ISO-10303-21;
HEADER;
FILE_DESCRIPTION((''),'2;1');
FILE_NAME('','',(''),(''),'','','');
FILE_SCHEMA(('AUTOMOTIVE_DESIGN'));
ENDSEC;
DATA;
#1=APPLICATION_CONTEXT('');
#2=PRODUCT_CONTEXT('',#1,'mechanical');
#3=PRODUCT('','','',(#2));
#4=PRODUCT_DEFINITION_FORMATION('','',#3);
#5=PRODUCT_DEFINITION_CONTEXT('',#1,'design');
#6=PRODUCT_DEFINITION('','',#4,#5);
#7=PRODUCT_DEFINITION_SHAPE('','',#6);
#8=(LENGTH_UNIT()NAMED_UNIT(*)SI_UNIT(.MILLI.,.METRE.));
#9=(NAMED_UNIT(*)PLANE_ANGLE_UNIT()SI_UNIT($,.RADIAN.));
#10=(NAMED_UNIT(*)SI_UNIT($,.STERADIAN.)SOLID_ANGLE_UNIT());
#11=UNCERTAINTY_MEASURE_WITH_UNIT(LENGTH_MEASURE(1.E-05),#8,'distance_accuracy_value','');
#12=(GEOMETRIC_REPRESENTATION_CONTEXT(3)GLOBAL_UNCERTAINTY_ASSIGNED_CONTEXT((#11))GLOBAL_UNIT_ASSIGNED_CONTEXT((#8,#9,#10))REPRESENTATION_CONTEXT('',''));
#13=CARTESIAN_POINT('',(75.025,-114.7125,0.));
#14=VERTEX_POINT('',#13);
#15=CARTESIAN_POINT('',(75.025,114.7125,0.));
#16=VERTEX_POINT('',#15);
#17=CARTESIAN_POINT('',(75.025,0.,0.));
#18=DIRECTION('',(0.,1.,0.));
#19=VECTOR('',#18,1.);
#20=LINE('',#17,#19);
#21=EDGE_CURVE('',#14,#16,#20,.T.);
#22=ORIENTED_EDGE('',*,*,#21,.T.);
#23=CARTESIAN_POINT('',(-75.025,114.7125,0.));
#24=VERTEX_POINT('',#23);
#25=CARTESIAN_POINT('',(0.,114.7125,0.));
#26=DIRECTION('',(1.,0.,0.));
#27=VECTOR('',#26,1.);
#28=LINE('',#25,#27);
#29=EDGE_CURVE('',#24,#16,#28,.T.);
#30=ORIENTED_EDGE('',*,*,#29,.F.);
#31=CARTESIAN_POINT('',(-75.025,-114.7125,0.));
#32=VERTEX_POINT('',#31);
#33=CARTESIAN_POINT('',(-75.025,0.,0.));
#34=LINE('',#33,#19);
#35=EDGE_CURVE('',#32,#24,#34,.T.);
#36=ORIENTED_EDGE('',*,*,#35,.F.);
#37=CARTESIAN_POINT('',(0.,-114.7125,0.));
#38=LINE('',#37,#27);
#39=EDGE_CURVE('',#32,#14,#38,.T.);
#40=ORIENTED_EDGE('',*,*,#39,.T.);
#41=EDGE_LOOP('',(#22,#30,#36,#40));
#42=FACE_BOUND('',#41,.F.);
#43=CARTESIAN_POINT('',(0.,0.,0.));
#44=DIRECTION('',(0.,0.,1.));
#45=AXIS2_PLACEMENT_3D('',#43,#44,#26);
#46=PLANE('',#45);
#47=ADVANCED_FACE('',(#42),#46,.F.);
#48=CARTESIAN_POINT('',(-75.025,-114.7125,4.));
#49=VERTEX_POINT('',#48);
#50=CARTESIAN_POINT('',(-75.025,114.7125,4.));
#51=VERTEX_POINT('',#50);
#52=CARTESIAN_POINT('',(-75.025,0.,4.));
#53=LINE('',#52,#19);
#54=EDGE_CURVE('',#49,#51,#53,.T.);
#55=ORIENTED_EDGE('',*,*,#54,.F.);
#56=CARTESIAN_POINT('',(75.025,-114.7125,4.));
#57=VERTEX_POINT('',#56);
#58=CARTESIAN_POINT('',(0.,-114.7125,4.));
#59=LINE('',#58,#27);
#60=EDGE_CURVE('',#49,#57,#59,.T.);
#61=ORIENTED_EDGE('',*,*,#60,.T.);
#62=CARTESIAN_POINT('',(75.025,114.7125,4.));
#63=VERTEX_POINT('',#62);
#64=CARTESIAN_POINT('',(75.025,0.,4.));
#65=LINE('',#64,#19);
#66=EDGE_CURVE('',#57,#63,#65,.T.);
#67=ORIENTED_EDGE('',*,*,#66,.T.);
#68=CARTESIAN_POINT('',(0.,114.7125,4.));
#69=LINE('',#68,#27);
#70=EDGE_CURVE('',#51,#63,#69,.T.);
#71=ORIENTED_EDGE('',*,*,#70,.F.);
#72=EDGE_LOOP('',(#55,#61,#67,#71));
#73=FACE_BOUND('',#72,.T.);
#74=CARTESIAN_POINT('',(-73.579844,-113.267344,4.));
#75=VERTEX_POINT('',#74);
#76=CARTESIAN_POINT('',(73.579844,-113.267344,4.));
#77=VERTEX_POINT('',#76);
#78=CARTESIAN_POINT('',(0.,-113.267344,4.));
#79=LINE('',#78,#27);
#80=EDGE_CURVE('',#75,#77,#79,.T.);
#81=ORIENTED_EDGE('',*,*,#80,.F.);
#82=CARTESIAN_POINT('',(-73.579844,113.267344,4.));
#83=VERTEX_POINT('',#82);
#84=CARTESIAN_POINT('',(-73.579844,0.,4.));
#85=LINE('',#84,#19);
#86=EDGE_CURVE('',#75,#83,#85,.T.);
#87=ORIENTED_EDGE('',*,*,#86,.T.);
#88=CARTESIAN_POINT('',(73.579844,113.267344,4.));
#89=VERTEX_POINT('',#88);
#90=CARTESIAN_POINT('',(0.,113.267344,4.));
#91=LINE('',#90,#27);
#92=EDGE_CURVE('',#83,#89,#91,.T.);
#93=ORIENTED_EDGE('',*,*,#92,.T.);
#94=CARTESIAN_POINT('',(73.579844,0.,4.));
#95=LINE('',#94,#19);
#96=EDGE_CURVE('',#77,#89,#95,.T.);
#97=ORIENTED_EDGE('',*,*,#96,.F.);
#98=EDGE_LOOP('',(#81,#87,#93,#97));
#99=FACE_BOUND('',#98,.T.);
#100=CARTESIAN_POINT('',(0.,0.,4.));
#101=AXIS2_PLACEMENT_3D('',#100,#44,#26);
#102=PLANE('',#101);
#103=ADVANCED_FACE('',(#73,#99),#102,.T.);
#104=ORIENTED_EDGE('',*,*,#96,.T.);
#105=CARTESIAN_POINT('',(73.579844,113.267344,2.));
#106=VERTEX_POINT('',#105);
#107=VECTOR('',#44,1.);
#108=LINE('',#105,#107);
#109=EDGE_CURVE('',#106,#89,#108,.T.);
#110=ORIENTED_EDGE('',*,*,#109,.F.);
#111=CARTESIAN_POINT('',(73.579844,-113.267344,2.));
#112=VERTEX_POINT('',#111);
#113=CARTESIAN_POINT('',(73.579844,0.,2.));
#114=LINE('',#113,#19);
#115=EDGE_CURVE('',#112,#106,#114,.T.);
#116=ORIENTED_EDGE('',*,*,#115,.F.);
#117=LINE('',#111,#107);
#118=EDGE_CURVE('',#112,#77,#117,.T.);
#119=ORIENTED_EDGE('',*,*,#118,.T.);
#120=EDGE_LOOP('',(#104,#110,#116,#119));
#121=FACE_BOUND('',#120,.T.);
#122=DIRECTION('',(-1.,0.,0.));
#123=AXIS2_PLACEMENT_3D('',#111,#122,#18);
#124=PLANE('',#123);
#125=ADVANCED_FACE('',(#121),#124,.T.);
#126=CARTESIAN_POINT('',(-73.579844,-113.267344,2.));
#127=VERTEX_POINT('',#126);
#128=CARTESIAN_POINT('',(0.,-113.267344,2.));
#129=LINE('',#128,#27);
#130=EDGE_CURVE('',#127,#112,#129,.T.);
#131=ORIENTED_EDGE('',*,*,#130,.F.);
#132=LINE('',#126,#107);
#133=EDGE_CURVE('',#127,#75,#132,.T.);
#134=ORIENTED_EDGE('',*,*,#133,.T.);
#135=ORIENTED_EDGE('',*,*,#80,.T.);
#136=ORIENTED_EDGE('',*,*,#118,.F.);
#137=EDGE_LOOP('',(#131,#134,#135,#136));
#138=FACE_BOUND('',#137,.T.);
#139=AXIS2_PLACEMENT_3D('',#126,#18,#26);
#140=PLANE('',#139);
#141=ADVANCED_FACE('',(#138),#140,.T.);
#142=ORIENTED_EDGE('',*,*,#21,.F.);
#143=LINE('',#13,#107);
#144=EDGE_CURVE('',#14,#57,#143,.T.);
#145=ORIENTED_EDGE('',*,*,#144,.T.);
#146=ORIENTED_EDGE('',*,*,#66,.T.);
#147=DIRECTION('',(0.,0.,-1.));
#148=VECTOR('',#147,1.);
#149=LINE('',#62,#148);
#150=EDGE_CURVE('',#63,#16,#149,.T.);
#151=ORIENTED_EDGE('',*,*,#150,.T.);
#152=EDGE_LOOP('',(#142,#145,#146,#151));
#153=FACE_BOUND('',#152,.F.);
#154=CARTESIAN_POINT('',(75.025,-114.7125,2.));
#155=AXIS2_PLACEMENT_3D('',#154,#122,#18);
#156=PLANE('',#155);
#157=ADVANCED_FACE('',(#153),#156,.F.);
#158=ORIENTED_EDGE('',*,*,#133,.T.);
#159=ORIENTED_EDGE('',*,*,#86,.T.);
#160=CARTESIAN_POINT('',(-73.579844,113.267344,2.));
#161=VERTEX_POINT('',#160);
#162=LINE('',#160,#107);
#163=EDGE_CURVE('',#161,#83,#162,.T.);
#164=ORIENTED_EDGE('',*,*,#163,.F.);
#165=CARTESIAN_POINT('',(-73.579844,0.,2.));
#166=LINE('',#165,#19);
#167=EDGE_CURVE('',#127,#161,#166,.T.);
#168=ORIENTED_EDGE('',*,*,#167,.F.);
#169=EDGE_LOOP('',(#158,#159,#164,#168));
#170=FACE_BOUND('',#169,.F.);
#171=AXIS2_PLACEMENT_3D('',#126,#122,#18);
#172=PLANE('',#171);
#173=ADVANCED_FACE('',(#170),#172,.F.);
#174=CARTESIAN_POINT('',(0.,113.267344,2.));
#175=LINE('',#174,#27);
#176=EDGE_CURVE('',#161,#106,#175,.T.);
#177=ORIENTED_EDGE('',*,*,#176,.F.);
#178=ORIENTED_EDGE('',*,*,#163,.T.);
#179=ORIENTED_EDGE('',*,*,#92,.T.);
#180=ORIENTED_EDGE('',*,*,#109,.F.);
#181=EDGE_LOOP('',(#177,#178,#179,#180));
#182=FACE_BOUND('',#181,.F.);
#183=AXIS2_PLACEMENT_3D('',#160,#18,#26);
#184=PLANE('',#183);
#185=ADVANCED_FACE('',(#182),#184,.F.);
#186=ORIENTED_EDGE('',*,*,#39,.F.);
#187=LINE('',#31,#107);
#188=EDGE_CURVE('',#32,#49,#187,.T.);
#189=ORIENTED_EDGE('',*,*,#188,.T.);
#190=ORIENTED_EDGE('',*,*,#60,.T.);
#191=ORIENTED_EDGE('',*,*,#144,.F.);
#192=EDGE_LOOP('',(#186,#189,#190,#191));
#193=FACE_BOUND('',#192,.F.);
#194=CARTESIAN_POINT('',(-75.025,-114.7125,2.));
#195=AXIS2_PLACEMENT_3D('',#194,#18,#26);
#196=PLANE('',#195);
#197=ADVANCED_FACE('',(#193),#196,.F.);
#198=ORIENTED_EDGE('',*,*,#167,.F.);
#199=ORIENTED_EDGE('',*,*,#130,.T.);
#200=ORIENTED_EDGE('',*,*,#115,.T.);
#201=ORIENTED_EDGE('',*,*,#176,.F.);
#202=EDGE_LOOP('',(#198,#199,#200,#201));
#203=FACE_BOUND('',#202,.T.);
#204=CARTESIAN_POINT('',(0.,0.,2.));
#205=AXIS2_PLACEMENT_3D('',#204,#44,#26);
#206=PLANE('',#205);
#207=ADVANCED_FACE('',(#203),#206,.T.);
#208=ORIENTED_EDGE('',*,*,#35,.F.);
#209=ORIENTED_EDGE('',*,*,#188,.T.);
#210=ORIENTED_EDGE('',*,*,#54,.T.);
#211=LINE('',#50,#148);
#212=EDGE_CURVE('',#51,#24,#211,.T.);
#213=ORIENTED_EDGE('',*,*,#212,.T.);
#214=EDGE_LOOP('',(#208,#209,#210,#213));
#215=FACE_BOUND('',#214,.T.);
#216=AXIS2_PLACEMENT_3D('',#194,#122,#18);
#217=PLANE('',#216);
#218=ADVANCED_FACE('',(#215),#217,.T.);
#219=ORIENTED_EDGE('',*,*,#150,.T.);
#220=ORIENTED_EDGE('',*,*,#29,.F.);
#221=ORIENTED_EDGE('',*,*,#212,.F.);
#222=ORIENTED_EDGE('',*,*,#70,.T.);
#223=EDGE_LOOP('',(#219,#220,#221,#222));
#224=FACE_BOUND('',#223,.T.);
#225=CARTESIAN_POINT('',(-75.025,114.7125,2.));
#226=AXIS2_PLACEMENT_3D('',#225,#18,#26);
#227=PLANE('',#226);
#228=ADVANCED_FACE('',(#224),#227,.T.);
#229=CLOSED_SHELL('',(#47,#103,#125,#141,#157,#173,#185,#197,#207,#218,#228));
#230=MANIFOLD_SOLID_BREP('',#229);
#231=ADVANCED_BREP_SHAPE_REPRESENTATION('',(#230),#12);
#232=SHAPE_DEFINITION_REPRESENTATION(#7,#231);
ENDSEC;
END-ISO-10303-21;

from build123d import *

# Parameters (mm, degrees)
SKETCH_W      = 150.05
SKETCH_H      = 229.425
PAD_DEPTH     = 2
SKETCH001_W   = 150.05
SKETCH001_H   = 229.425
SKETCH001_W_2 = 147.159688
SKETCH001_H_2 = 226.534688
PAD001_DEPTH  = 2


with BuildPart() as part:
    # Sketch → Pad (new body)
    with BuildSketch(Plane.XY):
        Rectangle(SKETCH_W, SKETCH_H)
    extrude(amount=PAD_DEPTH)

    # Sketch001 (on Face6 of Pad) → Pad001 (join)
    with BuildSketch(Plane.XY.offset(2)):
        Rectangle(SKETCH001_W, SKETCH001_H)
        Rectangle(SKETCH001_W_2, SKETCH001_H_2, mode=Mode.SUBTRACT)
    extrude(amount=PAD001_DEPTH)


solid = part.part
